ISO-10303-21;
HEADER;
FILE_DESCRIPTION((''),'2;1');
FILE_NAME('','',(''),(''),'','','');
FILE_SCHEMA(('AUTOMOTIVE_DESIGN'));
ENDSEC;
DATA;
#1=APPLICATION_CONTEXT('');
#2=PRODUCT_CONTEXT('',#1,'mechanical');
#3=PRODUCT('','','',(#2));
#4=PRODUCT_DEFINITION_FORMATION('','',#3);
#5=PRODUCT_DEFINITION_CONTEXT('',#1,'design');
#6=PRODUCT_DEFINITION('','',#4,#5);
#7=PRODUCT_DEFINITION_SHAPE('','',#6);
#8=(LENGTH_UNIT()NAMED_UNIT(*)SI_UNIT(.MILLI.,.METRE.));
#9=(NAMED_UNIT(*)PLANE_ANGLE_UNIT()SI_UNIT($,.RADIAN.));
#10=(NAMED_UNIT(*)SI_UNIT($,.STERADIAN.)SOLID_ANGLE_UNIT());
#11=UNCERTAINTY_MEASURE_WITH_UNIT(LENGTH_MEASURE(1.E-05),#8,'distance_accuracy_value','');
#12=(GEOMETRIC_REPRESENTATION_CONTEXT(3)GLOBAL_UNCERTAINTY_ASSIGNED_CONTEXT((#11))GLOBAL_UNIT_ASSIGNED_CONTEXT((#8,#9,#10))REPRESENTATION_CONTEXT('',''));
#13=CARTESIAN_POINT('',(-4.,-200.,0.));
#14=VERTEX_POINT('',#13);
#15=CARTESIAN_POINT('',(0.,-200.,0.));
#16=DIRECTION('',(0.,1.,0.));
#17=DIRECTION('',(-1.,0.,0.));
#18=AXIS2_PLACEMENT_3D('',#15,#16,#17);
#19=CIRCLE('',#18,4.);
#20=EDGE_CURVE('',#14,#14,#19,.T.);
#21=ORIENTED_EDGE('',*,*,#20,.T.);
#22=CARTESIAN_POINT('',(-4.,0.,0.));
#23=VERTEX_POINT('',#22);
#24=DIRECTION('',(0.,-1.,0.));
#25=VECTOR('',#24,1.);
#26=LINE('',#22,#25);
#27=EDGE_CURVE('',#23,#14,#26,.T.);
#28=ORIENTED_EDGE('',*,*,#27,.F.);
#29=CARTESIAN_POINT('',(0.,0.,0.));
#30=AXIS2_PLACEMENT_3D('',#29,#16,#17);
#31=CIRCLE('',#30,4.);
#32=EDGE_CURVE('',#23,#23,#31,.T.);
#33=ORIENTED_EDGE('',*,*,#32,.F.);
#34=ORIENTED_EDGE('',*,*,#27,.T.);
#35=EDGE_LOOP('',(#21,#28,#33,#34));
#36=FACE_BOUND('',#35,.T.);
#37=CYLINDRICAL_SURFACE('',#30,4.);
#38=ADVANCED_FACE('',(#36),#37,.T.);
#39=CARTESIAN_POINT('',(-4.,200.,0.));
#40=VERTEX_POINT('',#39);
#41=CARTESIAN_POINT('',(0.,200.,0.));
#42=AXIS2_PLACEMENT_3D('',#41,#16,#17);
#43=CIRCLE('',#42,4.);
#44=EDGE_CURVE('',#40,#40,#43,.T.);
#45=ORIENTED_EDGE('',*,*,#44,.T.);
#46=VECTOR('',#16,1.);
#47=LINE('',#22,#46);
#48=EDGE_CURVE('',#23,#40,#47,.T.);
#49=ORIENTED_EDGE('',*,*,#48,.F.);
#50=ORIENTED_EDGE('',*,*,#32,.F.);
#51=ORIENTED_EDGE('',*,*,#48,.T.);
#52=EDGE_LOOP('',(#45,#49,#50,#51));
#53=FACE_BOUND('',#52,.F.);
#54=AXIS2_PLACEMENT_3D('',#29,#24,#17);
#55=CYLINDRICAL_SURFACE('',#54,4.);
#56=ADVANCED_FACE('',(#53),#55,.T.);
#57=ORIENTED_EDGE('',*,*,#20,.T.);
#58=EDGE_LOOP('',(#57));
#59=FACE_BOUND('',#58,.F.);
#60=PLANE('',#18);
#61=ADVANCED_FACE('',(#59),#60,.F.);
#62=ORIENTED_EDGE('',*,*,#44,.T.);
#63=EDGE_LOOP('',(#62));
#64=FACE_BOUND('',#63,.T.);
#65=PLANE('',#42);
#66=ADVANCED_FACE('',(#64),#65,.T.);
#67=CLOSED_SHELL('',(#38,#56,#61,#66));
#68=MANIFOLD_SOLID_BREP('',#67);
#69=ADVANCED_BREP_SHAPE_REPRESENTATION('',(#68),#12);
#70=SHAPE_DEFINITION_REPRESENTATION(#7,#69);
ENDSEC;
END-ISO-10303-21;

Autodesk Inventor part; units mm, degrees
ref_plane "YZ Plane" through (0, 0, 0) normal (1, 0, 0) x (0, 1, 0)
ref_plane "XZ Plane" through (0, 0, 0) normal (0, 1, 0) x (-1, 0, 0)
ref_plane "XY Plane" through (0, 0, 0) normal (0, 0, 1) x (1, 0, 0)
sketch "Эскиз1" plane through (0, 0, 0) normal (0, 1, 0) x (-1, 0, 0)
  circle A0 centre (0, 0) radius 4
  dimension "d0" = 8
extrude "Выдавливание1" add sketch "Эскиз1" along normal mid plane 400
properties part number "rail_300"
